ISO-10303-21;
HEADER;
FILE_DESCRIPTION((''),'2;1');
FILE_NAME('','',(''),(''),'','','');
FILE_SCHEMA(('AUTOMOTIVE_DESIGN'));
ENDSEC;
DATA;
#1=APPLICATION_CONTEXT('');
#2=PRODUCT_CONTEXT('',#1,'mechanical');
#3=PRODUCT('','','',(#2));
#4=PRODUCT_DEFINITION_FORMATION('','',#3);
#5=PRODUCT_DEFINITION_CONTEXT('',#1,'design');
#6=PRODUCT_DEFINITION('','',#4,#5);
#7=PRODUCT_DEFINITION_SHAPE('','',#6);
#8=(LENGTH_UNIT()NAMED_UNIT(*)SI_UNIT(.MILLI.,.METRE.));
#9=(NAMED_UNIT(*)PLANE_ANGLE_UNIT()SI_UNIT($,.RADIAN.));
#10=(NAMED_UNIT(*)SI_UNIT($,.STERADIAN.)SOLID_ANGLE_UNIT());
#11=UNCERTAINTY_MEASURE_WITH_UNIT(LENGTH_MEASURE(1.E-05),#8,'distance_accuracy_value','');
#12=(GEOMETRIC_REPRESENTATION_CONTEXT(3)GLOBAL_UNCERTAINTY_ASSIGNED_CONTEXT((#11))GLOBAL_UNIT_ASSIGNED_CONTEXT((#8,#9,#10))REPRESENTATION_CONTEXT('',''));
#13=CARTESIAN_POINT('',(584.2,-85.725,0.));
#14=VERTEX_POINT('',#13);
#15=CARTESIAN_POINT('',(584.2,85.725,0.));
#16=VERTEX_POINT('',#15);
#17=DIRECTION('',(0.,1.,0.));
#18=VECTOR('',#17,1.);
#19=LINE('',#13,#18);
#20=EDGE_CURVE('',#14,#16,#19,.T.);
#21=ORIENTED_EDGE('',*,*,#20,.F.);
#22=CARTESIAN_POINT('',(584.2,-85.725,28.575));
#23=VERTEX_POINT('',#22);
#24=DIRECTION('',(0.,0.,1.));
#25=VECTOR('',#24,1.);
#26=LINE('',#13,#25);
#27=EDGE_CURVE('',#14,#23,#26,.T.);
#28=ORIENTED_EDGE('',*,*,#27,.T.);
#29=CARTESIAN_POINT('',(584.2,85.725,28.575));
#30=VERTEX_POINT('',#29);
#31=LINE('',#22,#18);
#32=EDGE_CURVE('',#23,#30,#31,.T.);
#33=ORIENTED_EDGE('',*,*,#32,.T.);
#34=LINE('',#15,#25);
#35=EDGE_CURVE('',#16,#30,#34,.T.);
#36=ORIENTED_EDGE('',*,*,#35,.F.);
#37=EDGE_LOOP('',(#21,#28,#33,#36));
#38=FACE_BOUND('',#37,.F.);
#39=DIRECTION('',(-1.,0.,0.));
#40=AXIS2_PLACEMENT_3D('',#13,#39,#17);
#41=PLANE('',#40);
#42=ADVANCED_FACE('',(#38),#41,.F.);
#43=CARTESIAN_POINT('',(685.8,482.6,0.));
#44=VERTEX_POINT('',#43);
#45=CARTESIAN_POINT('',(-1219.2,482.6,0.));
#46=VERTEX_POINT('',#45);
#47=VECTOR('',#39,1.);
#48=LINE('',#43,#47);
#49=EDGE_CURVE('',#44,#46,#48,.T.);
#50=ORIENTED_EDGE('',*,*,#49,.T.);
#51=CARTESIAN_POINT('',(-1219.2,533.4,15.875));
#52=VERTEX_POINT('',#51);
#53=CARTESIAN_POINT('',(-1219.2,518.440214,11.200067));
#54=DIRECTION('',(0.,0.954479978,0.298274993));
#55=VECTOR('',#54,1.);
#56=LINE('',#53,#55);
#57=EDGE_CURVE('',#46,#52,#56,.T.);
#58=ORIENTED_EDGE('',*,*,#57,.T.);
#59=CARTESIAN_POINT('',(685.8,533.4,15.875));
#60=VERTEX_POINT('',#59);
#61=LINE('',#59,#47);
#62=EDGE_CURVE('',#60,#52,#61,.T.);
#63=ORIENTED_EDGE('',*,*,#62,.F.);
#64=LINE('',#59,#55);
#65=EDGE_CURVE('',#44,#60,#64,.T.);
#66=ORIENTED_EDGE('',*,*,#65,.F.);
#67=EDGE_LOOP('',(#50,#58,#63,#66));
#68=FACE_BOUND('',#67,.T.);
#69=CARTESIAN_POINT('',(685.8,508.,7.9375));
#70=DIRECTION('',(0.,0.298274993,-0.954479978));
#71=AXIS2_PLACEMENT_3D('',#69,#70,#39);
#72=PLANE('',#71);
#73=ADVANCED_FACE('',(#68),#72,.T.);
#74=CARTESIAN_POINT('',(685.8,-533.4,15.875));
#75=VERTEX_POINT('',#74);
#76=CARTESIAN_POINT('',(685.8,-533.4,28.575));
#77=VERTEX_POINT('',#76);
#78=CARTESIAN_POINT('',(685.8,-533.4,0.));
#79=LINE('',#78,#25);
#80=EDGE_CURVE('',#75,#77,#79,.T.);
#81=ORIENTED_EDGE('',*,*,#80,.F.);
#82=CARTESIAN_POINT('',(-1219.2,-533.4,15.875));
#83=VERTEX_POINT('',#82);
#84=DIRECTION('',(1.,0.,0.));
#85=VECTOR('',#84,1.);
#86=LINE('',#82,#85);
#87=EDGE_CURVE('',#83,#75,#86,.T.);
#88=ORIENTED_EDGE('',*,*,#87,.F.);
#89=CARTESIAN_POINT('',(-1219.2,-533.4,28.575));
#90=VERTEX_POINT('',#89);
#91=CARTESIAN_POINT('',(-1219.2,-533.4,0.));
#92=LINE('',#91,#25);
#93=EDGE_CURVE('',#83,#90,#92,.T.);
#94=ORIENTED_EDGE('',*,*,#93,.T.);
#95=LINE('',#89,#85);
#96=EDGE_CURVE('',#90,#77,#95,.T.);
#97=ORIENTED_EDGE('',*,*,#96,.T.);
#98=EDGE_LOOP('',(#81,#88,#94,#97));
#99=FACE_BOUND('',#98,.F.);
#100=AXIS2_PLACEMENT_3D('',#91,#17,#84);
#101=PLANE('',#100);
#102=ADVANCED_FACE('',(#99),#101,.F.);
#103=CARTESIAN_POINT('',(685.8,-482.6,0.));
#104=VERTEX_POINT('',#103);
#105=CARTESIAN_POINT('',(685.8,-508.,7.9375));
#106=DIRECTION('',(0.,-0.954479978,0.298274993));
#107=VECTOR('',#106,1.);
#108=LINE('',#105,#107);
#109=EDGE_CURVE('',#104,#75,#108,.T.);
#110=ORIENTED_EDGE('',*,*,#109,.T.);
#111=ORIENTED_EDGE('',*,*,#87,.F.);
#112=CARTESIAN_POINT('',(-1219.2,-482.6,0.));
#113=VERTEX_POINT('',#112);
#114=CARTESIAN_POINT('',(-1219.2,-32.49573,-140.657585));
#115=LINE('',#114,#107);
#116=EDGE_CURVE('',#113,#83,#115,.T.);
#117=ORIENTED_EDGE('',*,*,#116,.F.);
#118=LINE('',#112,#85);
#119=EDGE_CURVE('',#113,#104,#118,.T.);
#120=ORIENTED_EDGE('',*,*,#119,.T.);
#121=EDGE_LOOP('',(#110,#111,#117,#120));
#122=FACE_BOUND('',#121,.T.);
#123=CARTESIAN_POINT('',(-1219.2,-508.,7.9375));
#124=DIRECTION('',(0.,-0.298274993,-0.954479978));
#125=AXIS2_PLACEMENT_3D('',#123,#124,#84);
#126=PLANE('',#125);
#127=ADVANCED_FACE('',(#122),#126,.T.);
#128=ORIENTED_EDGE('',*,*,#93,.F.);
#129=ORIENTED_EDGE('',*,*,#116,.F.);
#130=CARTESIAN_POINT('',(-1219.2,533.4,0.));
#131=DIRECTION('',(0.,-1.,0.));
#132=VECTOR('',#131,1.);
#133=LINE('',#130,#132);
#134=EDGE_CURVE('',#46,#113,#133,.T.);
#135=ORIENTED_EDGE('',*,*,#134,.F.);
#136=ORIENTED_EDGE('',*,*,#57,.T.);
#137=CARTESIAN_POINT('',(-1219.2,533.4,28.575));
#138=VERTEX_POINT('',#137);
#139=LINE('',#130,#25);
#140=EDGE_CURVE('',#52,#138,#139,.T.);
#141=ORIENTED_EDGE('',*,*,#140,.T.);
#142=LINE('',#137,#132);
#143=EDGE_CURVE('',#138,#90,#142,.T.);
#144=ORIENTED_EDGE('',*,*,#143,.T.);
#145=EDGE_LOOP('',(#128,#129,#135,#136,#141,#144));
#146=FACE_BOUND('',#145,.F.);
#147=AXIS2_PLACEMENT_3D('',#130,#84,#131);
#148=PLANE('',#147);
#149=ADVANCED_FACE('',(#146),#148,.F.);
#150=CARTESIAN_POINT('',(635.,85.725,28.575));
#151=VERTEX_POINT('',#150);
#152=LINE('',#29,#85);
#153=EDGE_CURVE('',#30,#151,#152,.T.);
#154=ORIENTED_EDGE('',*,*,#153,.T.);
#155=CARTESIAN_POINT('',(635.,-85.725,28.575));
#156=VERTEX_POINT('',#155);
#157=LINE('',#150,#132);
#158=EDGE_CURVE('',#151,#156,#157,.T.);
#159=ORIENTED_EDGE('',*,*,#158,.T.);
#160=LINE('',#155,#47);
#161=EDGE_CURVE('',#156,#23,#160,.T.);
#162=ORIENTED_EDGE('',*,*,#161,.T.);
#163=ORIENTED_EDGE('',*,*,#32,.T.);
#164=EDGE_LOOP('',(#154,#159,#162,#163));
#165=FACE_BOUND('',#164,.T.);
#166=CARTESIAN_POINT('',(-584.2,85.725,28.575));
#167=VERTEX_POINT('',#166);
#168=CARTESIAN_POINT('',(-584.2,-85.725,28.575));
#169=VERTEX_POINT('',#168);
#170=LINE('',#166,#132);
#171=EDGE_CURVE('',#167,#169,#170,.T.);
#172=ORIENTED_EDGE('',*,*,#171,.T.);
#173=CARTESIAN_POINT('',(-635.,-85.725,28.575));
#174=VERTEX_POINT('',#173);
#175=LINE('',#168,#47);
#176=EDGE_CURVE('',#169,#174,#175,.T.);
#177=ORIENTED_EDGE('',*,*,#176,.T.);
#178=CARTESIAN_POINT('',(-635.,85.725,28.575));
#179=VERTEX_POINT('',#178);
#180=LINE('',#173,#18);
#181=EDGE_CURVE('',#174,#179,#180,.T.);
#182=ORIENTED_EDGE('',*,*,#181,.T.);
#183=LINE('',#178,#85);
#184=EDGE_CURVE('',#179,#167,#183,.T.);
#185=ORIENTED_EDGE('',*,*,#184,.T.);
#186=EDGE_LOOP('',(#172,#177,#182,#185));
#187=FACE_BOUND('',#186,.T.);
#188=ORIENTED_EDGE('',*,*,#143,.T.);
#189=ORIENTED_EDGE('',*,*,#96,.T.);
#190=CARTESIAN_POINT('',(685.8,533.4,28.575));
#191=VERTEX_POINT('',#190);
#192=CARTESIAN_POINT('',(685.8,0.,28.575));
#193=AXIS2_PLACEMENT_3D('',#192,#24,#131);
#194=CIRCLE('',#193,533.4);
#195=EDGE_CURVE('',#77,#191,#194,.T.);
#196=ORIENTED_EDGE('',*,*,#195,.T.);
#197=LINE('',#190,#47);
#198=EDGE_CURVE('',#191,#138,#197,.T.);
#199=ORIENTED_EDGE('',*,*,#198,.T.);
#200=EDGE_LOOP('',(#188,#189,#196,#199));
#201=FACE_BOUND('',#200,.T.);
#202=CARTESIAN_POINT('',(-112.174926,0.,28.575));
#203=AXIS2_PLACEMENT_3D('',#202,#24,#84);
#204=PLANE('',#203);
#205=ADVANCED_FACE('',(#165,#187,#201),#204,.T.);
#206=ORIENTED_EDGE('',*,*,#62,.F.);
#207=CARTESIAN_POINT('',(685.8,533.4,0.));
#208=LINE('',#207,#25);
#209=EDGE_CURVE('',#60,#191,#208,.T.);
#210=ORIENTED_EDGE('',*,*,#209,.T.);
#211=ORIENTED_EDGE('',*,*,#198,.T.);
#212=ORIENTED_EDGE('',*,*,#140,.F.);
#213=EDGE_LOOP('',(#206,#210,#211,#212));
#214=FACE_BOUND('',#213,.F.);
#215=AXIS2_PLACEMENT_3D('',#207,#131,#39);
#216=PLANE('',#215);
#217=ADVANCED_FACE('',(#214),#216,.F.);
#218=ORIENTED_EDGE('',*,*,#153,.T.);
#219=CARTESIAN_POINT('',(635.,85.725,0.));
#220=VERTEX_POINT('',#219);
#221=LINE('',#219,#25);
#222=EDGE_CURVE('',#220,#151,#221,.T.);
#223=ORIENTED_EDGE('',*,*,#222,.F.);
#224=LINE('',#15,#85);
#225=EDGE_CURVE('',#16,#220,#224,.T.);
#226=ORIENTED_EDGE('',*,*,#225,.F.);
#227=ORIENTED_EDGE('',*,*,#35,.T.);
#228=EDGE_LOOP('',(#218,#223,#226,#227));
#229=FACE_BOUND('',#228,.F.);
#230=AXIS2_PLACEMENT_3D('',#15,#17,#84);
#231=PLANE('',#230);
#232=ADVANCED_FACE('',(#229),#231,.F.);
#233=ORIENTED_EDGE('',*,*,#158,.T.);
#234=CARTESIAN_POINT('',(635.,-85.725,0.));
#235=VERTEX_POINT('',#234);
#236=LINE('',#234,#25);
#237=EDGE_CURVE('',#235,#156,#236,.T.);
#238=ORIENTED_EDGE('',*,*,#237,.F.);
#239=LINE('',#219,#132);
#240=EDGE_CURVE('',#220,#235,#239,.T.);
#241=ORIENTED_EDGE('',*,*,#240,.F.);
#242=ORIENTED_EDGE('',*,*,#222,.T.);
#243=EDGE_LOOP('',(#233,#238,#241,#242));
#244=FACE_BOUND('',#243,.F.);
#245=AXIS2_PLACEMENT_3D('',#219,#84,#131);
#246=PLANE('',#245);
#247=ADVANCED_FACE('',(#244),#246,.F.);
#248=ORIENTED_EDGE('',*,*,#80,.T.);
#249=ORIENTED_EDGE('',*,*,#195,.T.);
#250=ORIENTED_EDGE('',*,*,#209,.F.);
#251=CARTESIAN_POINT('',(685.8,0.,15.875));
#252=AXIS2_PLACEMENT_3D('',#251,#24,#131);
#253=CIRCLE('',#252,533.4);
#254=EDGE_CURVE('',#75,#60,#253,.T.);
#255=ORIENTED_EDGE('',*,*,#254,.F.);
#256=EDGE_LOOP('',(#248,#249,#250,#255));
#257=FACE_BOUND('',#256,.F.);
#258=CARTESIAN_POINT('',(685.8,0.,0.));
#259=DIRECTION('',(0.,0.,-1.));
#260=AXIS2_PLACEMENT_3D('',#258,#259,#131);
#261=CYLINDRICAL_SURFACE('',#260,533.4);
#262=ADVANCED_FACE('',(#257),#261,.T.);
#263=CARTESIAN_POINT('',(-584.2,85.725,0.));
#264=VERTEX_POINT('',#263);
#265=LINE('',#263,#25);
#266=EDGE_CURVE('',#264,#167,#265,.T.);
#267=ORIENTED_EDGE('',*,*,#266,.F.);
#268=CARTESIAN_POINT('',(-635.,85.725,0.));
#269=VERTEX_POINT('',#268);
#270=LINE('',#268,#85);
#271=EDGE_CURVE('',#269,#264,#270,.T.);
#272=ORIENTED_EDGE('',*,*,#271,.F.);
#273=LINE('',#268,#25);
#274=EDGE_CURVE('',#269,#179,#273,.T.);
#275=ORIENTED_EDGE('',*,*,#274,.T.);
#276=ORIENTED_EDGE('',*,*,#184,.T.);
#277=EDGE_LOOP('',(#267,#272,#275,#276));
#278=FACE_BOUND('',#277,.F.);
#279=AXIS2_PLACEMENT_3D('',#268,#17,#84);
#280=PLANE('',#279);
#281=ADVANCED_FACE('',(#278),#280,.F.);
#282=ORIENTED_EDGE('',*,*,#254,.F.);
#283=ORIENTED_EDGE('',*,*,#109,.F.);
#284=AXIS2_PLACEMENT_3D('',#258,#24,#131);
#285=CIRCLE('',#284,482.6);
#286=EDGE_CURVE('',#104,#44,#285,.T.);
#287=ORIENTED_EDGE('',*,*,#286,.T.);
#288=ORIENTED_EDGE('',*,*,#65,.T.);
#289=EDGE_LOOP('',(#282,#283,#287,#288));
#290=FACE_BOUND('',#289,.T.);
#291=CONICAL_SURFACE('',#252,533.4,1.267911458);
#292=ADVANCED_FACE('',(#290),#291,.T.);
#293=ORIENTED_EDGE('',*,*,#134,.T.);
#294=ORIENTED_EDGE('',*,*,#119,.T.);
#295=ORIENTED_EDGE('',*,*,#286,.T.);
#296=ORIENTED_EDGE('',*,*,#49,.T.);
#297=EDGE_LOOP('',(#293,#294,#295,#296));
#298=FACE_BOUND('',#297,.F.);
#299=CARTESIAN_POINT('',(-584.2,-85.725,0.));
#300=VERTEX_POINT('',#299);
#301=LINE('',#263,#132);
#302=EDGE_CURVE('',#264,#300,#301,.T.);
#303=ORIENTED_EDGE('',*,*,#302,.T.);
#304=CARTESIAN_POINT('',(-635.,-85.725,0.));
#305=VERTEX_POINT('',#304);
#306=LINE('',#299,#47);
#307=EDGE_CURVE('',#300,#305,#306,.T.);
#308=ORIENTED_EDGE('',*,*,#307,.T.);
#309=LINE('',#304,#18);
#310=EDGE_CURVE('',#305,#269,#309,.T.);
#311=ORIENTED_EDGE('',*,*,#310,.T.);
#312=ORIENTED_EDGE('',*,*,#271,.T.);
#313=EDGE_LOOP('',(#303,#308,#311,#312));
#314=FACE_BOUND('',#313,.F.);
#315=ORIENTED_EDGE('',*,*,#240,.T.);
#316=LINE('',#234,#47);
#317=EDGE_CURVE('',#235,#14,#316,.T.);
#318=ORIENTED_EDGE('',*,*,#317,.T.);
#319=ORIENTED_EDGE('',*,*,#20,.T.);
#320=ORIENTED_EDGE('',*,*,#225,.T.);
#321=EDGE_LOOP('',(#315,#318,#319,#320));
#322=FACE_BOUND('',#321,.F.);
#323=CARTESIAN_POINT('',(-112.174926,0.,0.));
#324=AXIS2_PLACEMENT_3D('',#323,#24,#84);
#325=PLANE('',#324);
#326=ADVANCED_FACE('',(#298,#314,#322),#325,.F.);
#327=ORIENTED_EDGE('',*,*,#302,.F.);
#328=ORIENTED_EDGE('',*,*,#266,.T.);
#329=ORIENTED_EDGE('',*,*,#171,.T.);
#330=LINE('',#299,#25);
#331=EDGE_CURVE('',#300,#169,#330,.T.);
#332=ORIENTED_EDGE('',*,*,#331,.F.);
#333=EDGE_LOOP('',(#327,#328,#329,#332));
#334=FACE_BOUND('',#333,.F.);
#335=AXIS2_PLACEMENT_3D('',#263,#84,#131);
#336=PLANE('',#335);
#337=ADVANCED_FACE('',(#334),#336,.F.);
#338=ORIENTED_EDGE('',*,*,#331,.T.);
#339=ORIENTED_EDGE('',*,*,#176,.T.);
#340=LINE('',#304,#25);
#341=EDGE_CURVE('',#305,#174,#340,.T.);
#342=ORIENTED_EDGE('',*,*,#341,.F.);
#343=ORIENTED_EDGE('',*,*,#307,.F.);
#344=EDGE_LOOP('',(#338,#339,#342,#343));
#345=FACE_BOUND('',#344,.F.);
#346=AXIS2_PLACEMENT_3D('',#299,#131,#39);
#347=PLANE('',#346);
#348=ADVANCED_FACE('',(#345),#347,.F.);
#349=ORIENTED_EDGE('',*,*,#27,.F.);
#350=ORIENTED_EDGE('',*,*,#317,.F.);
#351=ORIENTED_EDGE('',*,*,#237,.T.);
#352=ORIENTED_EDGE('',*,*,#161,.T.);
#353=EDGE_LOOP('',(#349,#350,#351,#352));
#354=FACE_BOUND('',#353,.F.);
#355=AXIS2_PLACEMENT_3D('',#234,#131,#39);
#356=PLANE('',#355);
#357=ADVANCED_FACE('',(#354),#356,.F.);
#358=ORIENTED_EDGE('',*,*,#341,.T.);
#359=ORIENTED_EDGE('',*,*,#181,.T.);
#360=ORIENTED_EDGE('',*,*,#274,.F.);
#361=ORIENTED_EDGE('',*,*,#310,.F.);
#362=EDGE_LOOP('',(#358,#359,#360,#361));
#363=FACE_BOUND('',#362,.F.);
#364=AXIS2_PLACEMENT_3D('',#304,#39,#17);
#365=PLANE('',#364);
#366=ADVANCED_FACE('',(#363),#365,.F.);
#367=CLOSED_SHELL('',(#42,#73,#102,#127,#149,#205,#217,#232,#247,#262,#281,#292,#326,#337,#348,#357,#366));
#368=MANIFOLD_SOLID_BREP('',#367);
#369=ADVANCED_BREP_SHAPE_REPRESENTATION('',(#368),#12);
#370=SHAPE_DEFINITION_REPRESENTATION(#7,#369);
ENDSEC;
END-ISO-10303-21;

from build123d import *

# Parameters (mm, degrees)
F1_DEPTH = 28.575
F2_SIZE2 = 15.875
F2_SIZE  = 50.8


with BuildPart() as f1:
    # F0 (on Top) → F1 (new body)
    with BuildSketch(Plane.XY):
        with BuildLine():
            ThreePointArc((1219.2, 0), (1062.9707570849, 377.1707570849), (685.8, 533.4))
            Line((685.8, 533.4), (-1219.2, 533.4))
            Line((-1219.2, 533.4), (-1219.2, -533.4))
            Line((-1219.2, -533.4), (685.8, -533.4))
            ThreePointArc((685.8, -533.4), (1062.9707570849, -377.1707570849), (1219.2, 0))
        make_face()
        Polygon((-584.2, 85.725), (-584.2, 0), (-584.2, -85.725), (-635, -85.725), (-635, 85.725), align=None, mode=Mode.SUBTRACT)
        Polygon((584.2, -85.725), (584.2, 0), (584.2, 85.725), (635, 85.725), (635, -85.725), align=None, mode=Mode.SUBTRACT)
    extrude(amount=F1_DEPTH)

    # F2
    f2_edges = [f1.edges().sort_by_distance(p)[0] for p in [
        (-266.7, -533.4, 0),
        (1219.2, 0, 0),
        (-266.7, 533.4, 0),
    ]]
    f2_side = f1.faces().sort_by_distance((-54.568247, 0, 0))[0]
    chamfer(f2_edges, length=F2_SIZE, length2=F2_SIZE2, reference=f2_side)


solid = f1.part
